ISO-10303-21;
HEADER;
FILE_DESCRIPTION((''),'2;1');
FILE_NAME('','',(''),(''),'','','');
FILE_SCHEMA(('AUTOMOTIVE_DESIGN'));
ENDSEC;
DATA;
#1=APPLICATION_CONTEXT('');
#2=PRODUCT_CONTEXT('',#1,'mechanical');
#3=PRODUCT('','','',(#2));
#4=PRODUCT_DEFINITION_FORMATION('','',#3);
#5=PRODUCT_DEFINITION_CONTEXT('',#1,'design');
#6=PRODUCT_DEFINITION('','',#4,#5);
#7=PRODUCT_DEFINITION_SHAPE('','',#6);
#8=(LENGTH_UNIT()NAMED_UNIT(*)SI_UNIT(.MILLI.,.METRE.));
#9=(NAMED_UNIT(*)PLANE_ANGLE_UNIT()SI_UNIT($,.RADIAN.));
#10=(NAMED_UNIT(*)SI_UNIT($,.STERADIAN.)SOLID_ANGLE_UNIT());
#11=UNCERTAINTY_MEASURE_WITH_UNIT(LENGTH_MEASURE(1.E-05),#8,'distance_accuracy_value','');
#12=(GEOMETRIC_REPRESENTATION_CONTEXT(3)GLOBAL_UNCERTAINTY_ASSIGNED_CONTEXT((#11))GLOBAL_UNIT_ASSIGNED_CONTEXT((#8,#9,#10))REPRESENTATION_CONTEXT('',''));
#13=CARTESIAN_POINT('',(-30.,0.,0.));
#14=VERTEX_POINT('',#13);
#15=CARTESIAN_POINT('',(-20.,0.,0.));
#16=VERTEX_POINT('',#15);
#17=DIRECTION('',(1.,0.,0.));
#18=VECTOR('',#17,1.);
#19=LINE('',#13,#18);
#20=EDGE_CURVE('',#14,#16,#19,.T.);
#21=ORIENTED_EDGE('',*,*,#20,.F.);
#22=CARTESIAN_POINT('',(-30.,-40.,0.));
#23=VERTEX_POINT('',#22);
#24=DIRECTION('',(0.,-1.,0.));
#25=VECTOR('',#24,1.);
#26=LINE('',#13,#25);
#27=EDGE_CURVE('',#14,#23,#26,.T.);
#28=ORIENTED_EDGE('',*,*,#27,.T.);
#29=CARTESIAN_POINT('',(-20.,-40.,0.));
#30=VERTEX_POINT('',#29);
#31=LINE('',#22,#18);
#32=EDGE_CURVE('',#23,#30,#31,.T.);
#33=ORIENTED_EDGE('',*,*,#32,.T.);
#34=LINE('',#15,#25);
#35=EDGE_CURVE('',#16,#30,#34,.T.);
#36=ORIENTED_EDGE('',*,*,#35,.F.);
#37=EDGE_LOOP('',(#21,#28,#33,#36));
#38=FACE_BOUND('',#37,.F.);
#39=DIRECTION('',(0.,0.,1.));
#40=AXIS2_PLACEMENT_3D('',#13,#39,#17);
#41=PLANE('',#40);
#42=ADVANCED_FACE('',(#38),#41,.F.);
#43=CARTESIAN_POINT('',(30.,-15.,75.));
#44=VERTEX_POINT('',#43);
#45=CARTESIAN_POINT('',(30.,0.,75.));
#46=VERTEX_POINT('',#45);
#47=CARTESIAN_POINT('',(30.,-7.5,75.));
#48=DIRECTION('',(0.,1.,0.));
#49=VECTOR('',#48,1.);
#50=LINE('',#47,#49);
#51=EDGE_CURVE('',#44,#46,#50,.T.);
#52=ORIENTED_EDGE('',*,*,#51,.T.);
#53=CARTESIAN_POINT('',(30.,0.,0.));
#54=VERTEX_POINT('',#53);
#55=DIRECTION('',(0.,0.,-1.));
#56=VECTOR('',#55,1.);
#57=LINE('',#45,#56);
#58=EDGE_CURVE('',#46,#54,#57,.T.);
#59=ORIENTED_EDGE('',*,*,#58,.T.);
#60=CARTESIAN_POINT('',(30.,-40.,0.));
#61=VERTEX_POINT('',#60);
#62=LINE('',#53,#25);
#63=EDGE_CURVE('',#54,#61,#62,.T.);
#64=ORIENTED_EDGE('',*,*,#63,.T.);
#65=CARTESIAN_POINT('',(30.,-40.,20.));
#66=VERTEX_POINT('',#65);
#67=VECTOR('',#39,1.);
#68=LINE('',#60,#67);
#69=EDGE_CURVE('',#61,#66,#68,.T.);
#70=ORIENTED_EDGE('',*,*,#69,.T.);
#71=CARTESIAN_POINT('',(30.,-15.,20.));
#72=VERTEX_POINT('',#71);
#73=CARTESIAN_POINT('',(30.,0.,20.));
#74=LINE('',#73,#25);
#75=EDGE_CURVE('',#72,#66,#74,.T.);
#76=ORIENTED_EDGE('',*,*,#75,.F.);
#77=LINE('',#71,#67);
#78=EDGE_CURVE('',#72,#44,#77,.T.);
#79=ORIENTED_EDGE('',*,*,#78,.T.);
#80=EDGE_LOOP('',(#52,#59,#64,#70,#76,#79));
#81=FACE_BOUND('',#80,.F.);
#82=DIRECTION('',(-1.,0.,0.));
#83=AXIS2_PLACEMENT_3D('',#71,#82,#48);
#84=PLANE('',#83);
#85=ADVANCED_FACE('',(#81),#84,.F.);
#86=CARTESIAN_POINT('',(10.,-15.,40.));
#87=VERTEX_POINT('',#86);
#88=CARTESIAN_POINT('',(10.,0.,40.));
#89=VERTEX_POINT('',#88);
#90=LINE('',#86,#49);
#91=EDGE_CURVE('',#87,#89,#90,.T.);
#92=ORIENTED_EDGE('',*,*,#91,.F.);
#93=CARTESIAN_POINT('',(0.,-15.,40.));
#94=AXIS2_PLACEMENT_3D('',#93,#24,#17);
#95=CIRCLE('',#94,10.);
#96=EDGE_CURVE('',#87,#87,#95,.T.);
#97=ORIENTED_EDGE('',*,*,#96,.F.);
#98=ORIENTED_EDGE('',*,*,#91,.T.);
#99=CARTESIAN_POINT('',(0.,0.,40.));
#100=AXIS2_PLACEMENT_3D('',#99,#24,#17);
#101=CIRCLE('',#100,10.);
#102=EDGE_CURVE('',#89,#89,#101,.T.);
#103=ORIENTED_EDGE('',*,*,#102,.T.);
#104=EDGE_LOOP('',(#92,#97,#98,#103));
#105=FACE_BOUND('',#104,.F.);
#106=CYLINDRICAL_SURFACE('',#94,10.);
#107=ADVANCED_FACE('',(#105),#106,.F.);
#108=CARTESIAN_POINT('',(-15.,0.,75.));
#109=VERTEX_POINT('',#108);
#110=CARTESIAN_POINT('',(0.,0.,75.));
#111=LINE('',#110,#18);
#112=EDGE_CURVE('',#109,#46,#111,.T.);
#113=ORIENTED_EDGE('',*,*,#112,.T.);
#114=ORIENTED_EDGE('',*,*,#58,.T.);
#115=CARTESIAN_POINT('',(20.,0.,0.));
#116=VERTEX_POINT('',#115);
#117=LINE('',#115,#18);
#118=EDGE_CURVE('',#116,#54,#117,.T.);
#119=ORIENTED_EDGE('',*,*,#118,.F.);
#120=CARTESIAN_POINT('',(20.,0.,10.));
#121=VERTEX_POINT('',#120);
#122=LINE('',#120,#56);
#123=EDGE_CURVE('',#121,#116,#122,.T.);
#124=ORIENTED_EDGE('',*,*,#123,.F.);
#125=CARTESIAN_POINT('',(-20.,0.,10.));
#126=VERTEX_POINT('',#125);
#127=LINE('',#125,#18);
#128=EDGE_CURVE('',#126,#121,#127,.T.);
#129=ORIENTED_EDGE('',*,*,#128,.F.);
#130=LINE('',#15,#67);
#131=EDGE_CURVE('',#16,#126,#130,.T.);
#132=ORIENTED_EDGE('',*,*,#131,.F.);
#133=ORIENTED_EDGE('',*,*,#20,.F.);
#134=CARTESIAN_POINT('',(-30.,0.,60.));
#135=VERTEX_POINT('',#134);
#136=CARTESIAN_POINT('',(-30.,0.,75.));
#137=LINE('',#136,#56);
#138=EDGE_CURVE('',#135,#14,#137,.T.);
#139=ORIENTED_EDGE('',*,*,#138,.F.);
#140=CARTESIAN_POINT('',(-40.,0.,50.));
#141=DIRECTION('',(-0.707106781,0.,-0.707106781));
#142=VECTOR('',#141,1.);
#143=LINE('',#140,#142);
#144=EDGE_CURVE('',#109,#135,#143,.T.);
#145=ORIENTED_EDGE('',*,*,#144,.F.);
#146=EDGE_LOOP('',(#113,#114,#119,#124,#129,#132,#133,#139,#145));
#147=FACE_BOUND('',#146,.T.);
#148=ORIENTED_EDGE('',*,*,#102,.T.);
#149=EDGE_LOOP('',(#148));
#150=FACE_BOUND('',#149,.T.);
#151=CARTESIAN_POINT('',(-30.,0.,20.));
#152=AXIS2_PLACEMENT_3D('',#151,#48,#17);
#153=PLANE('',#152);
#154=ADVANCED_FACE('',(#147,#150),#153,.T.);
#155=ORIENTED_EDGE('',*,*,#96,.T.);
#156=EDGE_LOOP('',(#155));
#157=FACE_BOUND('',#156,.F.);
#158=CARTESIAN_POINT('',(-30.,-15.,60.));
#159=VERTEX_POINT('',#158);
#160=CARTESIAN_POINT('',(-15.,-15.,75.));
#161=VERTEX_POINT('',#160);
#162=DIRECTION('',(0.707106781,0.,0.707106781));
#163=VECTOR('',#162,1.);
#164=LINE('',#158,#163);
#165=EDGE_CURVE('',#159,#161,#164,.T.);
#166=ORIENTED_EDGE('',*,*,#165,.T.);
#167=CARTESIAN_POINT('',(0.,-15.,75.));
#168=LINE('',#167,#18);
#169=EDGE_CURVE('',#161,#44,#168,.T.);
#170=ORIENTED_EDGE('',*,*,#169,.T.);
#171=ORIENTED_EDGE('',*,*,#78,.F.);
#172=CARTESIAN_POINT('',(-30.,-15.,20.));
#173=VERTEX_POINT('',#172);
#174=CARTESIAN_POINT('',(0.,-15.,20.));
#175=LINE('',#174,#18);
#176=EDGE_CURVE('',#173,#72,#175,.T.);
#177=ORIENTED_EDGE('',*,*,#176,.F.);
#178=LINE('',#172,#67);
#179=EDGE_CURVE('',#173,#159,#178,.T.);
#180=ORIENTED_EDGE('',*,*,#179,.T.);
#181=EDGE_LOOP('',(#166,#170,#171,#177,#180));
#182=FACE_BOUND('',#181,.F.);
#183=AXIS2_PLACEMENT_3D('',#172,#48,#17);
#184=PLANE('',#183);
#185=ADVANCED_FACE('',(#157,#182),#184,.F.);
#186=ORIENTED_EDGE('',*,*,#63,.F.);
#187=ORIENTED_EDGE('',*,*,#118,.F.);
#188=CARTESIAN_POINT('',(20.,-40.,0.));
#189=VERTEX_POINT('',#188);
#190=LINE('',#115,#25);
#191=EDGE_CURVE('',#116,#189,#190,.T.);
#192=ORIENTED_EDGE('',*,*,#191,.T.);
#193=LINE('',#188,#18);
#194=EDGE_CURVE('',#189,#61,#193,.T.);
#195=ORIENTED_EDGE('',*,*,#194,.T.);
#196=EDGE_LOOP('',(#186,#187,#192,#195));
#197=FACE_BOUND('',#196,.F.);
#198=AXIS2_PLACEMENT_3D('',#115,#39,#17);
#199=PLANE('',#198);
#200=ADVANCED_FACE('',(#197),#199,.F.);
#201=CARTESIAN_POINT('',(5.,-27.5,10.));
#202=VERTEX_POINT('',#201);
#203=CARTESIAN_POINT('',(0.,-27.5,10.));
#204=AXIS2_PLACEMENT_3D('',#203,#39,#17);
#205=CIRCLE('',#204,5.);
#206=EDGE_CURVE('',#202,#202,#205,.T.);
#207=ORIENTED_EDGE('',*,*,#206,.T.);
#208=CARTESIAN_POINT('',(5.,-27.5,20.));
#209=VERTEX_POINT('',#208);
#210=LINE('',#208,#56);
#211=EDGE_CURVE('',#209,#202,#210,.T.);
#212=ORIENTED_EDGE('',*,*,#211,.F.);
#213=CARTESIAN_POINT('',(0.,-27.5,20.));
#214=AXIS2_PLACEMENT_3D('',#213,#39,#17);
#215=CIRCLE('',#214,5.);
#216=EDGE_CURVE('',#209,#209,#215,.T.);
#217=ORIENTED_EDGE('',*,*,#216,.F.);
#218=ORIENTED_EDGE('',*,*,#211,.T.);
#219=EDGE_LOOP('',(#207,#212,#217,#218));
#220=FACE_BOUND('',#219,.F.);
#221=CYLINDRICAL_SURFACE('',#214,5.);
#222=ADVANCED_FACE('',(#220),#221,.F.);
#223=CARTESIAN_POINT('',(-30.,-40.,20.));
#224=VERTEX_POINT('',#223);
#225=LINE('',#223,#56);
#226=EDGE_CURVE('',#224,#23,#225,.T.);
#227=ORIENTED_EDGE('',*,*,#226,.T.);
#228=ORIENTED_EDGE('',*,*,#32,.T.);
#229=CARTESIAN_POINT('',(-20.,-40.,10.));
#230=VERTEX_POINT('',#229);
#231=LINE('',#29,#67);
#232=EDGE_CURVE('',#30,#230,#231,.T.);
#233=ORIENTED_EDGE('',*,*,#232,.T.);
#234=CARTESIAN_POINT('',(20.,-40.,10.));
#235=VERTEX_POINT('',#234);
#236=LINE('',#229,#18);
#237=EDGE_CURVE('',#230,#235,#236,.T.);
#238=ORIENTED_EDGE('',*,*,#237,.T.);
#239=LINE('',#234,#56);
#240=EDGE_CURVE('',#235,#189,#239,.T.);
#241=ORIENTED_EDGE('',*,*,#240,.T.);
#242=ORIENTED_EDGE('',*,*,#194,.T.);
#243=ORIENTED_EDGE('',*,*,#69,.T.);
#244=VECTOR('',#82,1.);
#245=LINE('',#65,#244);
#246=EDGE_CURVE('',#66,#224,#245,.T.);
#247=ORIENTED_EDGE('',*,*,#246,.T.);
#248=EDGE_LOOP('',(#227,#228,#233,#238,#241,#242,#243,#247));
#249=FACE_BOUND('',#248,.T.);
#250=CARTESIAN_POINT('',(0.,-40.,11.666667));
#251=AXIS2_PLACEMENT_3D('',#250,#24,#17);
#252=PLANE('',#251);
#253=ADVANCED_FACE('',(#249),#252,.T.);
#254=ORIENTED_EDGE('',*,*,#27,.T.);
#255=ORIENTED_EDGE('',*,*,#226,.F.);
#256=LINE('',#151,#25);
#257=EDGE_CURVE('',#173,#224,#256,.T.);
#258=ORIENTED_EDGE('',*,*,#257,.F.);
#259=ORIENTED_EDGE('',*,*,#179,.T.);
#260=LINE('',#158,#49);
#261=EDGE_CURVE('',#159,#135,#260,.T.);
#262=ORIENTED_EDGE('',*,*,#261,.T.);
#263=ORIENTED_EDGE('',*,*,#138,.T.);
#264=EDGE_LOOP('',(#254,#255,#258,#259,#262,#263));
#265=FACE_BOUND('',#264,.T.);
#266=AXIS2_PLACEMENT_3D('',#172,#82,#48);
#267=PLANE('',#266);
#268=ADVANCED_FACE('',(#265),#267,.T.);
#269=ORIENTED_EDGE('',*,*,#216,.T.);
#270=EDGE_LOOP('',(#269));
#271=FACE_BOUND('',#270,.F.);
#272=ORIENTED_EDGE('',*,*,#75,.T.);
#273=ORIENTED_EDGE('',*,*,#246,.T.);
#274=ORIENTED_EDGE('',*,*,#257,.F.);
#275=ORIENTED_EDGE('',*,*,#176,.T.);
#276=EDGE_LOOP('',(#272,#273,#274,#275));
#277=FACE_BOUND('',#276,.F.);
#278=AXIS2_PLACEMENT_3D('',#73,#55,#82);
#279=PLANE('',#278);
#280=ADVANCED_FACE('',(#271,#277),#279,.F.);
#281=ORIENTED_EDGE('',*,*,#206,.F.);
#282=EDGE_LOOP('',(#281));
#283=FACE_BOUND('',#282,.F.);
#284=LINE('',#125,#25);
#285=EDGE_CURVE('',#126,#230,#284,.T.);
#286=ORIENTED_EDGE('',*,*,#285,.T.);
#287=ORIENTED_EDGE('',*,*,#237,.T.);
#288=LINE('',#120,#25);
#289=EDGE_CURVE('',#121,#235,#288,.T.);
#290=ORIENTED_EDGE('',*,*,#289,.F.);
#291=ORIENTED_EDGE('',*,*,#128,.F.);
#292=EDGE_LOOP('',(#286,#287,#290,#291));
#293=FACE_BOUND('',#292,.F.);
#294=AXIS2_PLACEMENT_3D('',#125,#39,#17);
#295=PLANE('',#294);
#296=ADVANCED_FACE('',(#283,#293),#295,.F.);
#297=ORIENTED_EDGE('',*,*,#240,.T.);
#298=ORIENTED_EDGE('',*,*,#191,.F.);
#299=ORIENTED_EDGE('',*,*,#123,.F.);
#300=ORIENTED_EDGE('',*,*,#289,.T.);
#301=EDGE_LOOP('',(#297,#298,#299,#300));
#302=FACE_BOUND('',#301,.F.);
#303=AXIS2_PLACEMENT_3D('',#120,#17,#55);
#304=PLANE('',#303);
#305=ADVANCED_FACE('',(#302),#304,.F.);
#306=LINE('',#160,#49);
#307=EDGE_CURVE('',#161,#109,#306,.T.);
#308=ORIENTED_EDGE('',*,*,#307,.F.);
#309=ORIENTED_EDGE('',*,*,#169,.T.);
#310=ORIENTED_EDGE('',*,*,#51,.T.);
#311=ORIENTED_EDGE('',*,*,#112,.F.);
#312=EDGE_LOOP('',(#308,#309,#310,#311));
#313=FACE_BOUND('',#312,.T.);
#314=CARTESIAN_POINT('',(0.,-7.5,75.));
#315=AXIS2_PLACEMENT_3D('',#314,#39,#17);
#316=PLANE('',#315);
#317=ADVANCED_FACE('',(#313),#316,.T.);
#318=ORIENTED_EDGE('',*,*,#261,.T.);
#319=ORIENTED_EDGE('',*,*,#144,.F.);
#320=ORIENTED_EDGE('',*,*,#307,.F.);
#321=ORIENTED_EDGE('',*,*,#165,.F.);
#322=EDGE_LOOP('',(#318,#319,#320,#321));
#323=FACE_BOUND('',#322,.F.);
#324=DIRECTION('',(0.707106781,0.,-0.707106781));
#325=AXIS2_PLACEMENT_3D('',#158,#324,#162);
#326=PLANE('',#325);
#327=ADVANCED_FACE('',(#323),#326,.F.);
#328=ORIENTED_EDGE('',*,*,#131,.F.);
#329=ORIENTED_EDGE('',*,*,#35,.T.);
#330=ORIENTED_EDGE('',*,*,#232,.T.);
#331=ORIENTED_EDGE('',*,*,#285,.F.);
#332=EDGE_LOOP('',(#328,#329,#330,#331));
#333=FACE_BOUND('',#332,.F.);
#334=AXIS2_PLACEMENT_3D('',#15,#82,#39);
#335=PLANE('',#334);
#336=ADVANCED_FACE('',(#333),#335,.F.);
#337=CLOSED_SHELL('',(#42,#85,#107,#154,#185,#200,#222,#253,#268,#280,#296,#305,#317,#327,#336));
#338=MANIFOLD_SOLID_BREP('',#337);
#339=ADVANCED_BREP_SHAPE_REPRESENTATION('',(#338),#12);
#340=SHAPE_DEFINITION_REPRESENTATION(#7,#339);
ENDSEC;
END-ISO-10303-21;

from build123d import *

# Parameters (mm, degrees)
F1_DEPTH = 40
F2_W     = 60
F2_H     = 15
F3_DEPTH = 55
F5_DEPTH = 38.1
F6_R     = 10
F7_DEPTH = 25.4
F8_R     = 5
F9_DEPTH = 25.4


with BuildPart() as f1:
    # F0 (on Front) → F1 (new body)
    with BuildSketch(Plane.XZ):
        Polygon((-30, 20), (-30, 0), (-20, 0), (-20, 10), (20, 10), (20, 0), (30, 0), (30, 20), align=None)
    extrude(amount=F1_DEPTH)

    # F2 (on face) → F3 (join)
    with BuildSketch(Plane.XY.offset(20)):
        with Locations((0, -7.5)):
            Rectangle(F2_W, F2_H)
    extrude(amount=F3_DEPTH)

    # F4 (on face) → F5 (cut)
    with BuildSketch(Plane.XZ.offset(15)):
        Polygon((-30, 60), (-15, 75), (-30, 75), align=None)
    extrude(amount=-F5_DEPTH, mode=Mode.SUBTRACT)

    # F6 (on face) → F7 (cut)
    with BuildSketch(Plane.XZ.offset(15)):
        with Locations((0, 40)):
            Circle(F6_R)
    extrude(amount=-F7_DEPTH, mode=Mode.SUBTRACT)

    # F8 (on face) → F9 (cut)
    with BuildSketch(Plane.XY.offset(20)):
        with Locations((0, -27.5)):
            Circle(F8_R)
    extrude(amount=-F9_DEPTH, mode=Mode.SUBTRACT)


solid = f1.part
